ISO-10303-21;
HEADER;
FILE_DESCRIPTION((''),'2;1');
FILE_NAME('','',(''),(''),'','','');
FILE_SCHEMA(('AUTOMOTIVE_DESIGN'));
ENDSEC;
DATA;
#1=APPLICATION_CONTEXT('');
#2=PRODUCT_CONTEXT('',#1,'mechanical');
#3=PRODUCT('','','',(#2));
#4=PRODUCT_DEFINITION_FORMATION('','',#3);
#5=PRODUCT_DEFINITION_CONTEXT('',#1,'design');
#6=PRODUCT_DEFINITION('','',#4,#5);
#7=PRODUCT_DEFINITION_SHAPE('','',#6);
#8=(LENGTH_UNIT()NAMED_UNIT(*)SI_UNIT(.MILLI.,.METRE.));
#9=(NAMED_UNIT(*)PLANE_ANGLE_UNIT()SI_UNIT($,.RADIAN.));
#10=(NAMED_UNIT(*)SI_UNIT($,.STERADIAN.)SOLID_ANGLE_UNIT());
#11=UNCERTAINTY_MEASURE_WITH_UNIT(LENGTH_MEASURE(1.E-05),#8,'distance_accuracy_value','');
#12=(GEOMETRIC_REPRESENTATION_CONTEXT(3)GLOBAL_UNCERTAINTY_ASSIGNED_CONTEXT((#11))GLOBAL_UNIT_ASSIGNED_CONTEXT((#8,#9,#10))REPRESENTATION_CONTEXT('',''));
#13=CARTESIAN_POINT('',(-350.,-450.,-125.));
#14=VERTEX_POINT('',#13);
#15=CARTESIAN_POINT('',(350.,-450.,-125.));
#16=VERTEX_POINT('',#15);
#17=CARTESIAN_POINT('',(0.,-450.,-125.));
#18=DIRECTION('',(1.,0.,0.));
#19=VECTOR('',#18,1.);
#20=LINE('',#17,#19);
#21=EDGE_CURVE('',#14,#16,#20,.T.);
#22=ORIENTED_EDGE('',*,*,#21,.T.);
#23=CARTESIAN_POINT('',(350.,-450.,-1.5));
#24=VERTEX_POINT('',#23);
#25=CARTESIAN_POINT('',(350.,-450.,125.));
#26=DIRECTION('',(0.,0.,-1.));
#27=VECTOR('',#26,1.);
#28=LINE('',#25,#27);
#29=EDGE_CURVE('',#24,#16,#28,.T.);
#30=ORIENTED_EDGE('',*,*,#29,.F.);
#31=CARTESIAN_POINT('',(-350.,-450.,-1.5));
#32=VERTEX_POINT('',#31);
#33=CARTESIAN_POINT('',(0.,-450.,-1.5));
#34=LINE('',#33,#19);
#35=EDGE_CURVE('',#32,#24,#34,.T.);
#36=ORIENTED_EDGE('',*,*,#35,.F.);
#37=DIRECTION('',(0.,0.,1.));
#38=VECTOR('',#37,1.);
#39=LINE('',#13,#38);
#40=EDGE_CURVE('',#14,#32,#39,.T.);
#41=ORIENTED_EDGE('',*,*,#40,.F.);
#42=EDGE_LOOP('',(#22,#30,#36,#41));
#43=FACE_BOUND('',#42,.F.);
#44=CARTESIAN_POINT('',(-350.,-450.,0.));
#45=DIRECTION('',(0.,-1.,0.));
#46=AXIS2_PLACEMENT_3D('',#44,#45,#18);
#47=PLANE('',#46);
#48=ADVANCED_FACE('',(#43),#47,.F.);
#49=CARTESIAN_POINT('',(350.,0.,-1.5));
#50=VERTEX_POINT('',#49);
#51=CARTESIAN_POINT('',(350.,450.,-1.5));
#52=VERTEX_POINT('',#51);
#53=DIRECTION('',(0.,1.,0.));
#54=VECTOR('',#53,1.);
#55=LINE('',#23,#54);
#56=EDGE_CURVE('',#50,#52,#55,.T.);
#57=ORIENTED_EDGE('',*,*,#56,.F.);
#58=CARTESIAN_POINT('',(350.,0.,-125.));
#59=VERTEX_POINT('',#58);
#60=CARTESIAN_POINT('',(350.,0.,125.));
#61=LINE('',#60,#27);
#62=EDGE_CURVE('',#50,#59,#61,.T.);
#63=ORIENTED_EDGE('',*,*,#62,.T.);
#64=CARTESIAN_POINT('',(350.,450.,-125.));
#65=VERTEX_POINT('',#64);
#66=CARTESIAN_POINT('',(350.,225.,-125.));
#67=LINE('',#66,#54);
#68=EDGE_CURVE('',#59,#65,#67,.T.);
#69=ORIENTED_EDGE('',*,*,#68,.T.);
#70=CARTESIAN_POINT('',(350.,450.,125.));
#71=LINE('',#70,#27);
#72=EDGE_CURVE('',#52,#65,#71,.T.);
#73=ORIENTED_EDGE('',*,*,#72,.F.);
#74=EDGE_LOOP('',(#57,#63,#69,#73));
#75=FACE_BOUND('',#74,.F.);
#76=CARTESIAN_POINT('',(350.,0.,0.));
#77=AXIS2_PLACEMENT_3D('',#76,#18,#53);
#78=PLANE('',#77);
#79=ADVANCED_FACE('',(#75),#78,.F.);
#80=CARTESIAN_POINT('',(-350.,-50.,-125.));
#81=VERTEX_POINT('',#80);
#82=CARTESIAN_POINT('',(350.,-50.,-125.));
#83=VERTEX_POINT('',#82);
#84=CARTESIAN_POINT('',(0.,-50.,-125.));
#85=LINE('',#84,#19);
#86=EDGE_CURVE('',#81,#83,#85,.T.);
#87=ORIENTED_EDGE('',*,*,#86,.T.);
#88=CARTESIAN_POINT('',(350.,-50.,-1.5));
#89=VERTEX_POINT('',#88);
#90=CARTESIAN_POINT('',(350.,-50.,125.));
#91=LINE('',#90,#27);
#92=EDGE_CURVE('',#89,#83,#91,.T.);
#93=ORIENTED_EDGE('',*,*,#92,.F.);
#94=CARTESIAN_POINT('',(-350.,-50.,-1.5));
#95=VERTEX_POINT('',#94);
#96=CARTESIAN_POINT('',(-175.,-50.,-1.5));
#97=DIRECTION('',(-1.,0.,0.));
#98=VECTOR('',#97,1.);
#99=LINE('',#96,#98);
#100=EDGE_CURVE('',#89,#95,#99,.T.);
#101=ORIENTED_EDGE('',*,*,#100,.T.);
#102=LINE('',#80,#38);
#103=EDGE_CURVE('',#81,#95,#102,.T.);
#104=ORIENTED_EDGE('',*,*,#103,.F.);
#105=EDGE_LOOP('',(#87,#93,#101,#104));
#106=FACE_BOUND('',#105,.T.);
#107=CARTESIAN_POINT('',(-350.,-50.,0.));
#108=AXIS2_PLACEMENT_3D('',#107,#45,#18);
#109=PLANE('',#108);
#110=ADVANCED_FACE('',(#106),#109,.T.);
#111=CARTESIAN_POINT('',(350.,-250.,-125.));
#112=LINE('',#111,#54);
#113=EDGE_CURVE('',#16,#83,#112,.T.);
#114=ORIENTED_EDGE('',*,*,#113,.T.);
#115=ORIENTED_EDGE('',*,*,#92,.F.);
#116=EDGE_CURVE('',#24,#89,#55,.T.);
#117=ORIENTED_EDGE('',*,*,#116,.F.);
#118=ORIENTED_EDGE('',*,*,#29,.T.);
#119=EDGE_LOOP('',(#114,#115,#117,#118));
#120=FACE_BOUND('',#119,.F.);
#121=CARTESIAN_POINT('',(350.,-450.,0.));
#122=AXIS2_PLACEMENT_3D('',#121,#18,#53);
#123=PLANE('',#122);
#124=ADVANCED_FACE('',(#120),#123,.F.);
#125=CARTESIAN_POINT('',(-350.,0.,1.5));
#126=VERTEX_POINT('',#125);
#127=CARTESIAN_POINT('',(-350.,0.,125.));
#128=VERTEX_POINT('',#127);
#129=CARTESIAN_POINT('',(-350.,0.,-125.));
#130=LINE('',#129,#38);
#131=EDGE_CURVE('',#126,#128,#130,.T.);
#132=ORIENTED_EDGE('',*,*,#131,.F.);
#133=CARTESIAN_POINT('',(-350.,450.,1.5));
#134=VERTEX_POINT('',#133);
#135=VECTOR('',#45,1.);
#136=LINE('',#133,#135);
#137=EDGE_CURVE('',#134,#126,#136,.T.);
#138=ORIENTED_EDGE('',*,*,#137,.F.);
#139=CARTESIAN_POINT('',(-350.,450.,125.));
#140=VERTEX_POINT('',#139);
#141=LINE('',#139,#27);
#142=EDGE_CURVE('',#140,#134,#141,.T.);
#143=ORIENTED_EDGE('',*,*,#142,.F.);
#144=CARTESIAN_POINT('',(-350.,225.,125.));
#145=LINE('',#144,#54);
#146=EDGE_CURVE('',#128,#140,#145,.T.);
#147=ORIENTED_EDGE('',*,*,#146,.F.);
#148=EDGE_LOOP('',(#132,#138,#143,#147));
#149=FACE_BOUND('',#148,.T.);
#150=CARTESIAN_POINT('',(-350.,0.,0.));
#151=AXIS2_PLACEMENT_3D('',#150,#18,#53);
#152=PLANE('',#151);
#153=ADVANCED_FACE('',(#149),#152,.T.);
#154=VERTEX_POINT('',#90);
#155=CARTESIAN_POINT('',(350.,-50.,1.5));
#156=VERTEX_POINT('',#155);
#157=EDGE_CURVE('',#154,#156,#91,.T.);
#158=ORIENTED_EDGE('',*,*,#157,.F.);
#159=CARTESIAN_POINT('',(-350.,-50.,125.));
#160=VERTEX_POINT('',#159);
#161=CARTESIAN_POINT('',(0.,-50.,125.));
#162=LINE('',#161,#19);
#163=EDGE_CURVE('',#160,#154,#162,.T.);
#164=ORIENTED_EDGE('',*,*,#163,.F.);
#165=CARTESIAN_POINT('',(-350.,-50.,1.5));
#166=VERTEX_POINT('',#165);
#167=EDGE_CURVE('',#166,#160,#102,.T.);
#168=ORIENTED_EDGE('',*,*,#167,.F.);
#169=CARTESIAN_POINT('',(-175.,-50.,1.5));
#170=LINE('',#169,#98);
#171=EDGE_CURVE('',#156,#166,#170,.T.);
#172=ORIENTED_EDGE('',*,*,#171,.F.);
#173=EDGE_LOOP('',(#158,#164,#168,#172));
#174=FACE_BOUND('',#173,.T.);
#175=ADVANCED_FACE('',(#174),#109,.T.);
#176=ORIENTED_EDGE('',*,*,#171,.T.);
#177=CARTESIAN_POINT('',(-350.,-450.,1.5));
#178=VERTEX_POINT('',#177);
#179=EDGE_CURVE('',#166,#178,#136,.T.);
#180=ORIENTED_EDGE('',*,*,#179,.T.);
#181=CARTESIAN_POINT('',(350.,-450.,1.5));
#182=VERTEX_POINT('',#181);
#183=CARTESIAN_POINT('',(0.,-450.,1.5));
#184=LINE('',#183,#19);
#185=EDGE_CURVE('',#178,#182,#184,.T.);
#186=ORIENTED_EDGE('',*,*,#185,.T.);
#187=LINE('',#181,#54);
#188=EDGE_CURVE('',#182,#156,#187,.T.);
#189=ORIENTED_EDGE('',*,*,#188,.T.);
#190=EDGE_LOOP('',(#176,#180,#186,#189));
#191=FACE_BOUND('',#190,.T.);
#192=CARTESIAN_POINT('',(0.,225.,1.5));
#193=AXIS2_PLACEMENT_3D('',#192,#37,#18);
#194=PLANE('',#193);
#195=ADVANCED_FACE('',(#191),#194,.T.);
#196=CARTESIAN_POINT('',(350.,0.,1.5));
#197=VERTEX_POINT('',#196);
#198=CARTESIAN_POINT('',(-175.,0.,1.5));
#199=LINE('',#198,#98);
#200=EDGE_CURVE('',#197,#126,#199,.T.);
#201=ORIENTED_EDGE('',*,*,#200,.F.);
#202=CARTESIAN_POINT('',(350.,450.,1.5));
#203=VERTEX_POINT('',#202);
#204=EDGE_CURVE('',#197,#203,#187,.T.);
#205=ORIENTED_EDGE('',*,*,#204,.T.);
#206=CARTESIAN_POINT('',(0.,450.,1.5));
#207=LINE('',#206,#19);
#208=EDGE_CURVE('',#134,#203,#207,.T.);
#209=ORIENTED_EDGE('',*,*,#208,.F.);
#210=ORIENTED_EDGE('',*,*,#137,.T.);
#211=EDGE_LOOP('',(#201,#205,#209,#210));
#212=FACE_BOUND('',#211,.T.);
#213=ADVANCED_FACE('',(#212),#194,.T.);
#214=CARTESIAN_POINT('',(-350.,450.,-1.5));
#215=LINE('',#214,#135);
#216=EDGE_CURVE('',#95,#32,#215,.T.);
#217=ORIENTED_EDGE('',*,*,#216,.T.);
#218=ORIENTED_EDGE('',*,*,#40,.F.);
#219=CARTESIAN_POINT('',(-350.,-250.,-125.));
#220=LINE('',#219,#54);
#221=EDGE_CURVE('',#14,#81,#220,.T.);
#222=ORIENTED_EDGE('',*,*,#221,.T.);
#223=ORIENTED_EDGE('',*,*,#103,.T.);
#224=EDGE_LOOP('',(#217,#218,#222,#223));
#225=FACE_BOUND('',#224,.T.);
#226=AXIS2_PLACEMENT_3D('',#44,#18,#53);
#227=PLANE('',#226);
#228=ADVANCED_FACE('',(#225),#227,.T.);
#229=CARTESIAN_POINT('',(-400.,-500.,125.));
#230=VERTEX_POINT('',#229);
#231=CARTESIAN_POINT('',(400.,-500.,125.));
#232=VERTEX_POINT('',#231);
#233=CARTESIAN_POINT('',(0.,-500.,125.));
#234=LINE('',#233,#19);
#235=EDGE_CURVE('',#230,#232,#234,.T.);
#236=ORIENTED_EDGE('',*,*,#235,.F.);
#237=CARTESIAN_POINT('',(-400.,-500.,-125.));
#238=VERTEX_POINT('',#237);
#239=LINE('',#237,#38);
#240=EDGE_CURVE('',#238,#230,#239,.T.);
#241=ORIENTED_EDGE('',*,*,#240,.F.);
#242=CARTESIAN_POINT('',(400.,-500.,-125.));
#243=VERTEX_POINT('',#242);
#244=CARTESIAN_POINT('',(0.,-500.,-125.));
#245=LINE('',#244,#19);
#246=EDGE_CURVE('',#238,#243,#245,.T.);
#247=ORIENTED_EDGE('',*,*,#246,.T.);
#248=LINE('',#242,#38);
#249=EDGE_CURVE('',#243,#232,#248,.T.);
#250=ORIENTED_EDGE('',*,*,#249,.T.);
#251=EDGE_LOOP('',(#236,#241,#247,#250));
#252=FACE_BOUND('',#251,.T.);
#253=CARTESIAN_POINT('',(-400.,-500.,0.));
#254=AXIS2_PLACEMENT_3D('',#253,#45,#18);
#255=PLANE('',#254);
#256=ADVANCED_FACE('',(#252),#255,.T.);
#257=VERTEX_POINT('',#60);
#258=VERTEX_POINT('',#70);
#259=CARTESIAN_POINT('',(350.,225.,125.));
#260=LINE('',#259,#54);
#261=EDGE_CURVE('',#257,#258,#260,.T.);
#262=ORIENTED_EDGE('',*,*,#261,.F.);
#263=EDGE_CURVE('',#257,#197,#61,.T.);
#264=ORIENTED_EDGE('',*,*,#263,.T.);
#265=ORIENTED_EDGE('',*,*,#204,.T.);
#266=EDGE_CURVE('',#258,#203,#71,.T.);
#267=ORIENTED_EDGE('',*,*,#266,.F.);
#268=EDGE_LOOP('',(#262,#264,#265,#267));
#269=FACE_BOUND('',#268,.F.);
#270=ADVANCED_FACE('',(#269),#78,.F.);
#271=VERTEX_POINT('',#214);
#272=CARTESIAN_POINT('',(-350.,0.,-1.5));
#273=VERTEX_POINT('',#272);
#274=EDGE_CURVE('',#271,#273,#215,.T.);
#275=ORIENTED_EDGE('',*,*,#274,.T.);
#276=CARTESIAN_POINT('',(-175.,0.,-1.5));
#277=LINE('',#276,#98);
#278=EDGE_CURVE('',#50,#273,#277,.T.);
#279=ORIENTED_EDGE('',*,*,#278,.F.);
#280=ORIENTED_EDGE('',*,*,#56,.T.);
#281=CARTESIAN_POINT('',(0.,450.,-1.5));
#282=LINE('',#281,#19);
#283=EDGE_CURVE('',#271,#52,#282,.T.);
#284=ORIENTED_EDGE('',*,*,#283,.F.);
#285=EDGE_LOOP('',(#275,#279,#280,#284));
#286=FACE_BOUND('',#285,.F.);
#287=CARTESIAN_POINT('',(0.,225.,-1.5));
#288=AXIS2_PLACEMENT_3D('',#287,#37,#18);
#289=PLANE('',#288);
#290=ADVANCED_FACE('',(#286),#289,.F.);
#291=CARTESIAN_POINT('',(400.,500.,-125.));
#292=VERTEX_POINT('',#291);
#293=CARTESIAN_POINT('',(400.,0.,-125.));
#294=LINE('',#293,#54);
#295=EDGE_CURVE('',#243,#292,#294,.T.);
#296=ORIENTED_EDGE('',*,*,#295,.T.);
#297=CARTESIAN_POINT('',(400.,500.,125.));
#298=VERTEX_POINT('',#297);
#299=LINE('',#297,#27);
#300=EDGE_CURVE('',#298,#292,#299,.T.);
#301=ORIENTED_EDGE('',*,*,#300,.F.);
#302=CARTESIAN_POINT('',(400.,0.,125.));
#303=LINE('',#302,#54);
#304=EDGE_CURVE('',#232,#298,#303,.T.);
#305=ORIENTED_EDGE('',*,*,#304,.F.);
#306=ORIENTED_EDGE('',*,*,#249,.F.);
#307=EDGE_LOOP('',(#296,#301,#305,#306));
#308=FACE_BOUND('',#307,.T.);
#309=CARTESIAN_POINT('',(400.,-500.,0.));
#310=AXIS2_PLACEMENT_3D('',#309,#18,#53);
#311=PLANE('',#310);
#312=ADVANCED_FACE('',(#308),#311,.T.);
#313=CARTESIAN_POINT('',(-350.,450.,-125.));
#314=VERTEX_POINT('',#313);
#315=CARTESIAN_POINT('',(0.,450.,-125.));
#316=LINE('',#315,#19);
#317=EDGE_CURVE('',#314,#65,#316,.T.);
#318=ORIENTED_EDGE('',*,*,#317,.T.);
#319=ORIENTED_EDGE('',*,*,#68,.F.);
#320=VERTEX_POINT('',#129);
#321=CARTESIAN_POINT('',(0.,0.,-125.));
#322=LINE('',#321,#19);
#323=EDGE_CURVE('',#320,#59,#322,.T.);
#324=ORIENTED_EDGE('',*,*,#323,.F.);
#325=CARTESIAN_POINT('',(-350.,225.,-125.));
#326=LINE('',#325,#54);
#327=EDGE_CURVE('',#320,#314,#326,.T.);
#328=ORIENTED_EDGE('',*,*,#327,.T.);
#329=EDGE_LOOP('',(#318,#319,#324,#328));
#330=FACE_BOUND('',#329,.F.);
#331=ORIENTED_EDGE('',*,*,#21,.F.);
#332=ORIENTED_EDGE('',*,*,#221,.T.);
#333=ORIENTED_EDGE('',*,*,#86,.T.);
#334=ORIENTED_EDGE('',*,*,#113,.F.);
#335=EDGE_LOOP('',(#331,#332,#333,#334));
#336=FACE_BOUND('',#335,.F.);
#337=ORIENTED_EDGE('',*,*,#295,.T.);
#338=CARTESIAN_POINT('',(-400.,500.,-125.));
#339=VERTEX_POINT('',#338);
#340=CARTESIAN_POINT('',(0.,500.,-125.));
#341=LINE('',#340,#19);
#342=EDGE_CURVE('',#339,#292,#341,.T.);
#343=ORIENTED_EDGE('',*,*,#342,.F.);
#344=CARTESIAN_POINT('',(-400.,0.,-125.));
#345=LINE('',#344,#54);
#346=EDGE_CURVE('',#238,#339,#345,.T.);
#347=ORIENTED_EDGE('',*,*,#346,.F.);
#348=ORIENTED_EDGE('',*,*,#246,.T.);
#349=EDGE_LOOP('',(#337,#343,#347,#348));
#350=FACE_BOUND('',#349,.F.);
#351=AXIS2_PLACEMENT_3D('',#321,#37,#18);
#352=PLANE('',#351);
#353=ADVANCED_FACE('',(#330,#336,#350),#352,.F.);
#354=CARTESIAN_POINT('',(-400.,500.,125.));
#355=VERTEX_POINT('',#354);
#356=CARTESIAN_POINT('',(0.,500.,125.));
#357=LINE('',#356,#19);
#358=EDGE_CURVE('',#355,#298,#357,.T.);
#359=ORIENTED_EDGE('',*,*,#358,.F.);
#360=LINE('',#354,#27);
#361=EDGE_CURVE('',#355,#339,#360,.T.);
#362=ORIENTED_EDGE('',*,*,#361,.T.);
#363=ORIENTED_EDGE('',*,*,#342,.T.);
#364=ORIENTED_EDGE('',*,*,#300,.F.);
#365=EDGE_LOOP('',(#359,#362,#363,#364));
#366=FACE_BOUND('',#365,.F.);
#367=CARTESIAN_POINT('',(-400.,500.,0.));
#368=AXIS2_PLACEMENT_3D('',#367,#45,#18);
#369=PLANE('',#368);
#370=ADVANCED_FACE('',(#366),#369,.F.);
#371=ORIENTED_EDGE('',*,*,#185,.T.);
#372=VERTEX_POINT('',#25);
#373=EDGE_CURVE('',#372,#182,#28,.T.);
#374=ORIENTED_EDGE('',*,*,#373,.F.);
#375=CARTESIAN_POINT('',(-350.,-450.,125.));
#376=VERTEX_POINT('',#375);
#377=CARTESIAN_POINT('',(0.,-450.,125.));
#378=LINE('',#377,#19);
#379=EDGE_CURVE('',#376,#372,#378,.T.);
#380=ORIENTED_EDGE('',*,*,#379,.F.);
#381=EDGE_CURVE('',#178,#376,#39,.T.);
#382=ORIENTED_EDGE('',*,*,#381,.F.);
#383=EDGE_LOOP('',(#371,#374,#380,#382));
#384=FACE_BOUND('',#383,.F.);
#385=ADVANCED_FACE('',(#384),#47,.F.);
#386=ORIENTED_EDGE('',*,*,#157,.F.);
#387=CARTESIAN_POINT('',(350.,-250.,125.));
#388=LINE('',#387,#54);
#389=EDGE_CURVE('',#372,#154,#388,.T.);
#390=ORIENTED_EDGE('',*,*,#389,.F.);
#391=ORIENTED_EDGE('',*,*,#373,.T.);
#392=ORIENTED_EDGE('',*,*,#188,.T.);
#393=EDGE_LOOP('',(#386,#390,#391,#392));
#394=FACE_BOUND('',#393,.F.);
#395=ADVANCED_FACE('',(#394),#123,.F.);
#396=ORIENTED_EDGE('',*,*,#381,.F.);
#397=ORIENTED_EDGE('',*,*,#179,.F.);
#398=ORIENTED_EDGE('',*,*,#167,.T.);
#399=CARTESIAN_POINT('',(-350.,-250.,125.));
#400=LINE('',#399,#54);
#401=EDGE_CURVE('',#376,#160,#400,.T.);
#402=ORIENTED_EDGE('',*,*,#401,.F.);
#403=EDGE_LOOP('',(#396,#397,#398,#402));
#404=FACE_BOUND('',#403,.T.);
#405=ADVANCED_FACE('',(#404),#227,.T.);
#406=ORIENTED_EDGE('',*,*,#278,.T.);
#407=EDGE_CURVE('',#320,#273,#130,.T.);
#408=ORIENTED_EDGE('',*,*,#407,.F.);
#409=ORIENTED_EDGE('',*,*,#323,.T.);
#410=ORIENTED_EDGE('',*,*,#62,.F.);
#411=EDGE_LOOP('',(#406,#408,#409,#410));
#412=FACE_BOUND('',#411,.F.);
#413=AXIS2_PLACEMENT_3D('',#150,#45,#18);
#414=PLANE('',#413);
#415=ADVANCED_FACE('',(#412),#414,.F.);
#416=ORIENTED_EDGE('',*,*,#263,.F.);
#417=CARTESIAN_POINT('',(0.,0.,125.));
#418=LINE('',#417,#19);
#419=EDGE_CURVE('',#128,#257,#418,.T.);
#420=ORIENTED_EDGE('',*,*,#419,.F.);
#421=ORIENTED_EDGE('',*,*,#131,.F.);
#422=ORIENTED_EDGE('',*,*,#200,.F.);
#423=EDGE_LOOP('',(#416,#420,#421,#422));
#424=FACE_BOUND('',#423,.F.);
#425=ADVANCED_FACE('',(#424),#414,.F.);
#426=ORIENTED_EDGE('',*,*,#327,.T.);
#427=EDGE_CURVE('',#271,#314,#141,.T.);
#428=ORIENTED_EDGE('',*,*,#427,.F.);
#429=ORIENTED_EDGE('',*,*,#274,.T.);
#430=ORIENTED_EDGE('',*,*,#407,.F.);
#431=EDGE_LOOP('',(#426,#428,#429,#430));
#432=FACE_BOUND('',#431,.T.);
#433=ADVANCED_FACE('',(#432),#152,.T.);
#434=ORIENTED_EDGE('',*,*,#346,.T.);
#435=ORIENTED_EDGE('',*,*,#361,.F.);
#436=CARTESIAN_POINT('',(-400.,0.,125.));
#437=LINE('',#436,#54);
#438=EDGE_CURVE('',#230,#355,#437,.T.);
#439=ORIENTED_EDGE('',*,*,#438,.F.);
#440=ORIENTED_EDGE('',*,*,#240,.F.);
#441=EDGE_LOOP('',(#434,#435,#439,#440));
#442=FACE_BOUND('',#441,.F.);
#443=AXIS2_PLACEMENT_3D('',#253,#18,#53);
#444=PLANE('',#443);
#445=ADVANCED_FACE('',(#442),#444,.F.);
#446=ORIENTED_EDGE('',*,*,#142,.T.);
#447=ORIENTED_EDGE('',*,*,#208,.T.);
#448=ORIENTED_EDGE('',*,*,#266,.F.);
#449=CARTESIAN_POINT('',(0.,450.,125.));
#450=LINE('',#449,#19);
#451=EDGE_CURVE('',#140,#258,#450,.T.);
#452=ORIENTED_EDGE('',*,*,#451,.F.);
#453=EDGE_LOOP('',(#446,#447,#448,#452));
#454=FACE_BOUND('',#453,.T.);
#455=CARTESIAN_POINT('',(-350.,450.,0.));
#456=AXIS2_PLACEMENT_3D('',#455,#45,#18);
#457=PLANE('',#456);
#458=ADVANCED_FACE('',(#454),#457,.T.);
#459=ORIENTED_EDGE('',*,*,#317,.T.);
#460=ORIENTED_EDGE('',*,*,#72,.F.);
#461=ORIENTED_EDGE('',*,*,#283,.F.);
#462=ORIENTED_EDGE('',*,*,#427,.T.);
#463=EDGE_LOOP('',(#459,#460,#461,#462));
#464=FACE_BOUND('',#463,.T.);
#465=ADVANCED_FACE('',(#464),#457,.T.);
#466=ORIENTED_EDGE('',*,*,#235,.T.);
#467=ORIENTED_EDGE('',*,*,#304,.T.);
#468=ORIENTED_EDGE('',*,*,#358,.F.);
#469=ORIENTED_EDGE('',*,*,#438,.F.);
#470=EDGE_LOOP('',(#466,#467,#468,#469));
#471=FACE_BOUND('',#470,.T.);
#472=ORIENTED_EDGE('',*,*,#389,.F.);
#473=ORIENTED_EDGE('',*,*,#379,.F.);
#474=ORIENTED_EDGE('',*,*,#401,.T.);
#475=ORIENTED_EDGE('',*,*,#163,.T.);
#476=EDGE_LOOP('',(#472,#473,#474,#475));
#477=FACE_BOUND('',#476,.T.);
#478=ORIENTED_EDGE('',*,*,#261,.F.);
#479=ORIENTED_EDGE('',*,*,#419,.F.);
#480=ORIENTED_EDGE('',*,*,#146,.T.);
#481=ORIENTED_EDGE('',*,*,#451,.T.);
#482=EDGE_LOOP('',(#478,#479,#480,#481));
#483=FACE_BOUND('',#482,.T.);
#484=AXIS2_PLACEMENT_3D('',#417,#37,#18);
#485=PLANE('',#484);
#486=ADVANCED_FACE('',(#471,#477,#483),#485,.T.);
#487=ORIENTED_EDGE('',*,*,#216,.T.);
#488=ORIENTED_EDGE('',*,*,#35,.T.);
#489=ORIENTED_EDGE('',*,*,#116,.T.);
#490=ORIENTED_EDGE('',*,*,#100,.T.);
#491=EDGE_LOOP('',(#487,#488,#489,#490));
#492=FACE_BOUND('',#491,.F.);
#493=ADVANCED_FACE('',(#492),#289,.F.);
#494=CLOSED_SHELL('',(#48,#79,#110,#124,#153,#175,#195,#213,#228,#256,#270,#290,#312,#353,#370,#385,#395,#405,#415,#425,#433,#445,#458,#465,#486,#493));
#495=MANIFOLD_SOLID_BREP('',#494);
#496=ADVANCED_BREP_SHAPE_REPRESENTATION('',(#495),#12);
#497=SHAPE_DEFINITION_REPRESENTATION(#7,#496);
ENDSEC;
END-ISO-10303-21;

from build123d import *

# Parameters (mm, degrees)
F0_W     = 800
F0_H     = 1000
F0_W_2   = 700
F0_H_2   = 400
F0_H_3   = 450
F1_DEPTH = 125
F2_W     = 700
F2_H     = 450
F3_DEPTH = 1.5


with BuildPart() as f1:
    # F0 (on Top) → F1 (new body, symmetric)
    with BuildSketch(Plane.XY):
        Rectangle(F0_W, F0_H)
        with Locations((0, -250)):
            Rectangle(F0_W_2, F0_H_2, mode=Mode.SUBTRACT)
        with Locations((0, 225)):
            Rectangle(F0_W_2, F0_H_3, mode=Mode.SUBTRACT)
    extrude(amount=F1_DEPTH, both=True)

    # F2 (on Top) → F3 (join, symmetric)
    with BuildSketch(Plane.XY):
        with Locations((0, 225)):
            Rectangle(F2_W, F2_H)
        with Locations((0, -225)):
            Rectangle(F2_W, F2_H)
    extrude(amount=F3_DEPTH, both=True)


solid = f1.part
